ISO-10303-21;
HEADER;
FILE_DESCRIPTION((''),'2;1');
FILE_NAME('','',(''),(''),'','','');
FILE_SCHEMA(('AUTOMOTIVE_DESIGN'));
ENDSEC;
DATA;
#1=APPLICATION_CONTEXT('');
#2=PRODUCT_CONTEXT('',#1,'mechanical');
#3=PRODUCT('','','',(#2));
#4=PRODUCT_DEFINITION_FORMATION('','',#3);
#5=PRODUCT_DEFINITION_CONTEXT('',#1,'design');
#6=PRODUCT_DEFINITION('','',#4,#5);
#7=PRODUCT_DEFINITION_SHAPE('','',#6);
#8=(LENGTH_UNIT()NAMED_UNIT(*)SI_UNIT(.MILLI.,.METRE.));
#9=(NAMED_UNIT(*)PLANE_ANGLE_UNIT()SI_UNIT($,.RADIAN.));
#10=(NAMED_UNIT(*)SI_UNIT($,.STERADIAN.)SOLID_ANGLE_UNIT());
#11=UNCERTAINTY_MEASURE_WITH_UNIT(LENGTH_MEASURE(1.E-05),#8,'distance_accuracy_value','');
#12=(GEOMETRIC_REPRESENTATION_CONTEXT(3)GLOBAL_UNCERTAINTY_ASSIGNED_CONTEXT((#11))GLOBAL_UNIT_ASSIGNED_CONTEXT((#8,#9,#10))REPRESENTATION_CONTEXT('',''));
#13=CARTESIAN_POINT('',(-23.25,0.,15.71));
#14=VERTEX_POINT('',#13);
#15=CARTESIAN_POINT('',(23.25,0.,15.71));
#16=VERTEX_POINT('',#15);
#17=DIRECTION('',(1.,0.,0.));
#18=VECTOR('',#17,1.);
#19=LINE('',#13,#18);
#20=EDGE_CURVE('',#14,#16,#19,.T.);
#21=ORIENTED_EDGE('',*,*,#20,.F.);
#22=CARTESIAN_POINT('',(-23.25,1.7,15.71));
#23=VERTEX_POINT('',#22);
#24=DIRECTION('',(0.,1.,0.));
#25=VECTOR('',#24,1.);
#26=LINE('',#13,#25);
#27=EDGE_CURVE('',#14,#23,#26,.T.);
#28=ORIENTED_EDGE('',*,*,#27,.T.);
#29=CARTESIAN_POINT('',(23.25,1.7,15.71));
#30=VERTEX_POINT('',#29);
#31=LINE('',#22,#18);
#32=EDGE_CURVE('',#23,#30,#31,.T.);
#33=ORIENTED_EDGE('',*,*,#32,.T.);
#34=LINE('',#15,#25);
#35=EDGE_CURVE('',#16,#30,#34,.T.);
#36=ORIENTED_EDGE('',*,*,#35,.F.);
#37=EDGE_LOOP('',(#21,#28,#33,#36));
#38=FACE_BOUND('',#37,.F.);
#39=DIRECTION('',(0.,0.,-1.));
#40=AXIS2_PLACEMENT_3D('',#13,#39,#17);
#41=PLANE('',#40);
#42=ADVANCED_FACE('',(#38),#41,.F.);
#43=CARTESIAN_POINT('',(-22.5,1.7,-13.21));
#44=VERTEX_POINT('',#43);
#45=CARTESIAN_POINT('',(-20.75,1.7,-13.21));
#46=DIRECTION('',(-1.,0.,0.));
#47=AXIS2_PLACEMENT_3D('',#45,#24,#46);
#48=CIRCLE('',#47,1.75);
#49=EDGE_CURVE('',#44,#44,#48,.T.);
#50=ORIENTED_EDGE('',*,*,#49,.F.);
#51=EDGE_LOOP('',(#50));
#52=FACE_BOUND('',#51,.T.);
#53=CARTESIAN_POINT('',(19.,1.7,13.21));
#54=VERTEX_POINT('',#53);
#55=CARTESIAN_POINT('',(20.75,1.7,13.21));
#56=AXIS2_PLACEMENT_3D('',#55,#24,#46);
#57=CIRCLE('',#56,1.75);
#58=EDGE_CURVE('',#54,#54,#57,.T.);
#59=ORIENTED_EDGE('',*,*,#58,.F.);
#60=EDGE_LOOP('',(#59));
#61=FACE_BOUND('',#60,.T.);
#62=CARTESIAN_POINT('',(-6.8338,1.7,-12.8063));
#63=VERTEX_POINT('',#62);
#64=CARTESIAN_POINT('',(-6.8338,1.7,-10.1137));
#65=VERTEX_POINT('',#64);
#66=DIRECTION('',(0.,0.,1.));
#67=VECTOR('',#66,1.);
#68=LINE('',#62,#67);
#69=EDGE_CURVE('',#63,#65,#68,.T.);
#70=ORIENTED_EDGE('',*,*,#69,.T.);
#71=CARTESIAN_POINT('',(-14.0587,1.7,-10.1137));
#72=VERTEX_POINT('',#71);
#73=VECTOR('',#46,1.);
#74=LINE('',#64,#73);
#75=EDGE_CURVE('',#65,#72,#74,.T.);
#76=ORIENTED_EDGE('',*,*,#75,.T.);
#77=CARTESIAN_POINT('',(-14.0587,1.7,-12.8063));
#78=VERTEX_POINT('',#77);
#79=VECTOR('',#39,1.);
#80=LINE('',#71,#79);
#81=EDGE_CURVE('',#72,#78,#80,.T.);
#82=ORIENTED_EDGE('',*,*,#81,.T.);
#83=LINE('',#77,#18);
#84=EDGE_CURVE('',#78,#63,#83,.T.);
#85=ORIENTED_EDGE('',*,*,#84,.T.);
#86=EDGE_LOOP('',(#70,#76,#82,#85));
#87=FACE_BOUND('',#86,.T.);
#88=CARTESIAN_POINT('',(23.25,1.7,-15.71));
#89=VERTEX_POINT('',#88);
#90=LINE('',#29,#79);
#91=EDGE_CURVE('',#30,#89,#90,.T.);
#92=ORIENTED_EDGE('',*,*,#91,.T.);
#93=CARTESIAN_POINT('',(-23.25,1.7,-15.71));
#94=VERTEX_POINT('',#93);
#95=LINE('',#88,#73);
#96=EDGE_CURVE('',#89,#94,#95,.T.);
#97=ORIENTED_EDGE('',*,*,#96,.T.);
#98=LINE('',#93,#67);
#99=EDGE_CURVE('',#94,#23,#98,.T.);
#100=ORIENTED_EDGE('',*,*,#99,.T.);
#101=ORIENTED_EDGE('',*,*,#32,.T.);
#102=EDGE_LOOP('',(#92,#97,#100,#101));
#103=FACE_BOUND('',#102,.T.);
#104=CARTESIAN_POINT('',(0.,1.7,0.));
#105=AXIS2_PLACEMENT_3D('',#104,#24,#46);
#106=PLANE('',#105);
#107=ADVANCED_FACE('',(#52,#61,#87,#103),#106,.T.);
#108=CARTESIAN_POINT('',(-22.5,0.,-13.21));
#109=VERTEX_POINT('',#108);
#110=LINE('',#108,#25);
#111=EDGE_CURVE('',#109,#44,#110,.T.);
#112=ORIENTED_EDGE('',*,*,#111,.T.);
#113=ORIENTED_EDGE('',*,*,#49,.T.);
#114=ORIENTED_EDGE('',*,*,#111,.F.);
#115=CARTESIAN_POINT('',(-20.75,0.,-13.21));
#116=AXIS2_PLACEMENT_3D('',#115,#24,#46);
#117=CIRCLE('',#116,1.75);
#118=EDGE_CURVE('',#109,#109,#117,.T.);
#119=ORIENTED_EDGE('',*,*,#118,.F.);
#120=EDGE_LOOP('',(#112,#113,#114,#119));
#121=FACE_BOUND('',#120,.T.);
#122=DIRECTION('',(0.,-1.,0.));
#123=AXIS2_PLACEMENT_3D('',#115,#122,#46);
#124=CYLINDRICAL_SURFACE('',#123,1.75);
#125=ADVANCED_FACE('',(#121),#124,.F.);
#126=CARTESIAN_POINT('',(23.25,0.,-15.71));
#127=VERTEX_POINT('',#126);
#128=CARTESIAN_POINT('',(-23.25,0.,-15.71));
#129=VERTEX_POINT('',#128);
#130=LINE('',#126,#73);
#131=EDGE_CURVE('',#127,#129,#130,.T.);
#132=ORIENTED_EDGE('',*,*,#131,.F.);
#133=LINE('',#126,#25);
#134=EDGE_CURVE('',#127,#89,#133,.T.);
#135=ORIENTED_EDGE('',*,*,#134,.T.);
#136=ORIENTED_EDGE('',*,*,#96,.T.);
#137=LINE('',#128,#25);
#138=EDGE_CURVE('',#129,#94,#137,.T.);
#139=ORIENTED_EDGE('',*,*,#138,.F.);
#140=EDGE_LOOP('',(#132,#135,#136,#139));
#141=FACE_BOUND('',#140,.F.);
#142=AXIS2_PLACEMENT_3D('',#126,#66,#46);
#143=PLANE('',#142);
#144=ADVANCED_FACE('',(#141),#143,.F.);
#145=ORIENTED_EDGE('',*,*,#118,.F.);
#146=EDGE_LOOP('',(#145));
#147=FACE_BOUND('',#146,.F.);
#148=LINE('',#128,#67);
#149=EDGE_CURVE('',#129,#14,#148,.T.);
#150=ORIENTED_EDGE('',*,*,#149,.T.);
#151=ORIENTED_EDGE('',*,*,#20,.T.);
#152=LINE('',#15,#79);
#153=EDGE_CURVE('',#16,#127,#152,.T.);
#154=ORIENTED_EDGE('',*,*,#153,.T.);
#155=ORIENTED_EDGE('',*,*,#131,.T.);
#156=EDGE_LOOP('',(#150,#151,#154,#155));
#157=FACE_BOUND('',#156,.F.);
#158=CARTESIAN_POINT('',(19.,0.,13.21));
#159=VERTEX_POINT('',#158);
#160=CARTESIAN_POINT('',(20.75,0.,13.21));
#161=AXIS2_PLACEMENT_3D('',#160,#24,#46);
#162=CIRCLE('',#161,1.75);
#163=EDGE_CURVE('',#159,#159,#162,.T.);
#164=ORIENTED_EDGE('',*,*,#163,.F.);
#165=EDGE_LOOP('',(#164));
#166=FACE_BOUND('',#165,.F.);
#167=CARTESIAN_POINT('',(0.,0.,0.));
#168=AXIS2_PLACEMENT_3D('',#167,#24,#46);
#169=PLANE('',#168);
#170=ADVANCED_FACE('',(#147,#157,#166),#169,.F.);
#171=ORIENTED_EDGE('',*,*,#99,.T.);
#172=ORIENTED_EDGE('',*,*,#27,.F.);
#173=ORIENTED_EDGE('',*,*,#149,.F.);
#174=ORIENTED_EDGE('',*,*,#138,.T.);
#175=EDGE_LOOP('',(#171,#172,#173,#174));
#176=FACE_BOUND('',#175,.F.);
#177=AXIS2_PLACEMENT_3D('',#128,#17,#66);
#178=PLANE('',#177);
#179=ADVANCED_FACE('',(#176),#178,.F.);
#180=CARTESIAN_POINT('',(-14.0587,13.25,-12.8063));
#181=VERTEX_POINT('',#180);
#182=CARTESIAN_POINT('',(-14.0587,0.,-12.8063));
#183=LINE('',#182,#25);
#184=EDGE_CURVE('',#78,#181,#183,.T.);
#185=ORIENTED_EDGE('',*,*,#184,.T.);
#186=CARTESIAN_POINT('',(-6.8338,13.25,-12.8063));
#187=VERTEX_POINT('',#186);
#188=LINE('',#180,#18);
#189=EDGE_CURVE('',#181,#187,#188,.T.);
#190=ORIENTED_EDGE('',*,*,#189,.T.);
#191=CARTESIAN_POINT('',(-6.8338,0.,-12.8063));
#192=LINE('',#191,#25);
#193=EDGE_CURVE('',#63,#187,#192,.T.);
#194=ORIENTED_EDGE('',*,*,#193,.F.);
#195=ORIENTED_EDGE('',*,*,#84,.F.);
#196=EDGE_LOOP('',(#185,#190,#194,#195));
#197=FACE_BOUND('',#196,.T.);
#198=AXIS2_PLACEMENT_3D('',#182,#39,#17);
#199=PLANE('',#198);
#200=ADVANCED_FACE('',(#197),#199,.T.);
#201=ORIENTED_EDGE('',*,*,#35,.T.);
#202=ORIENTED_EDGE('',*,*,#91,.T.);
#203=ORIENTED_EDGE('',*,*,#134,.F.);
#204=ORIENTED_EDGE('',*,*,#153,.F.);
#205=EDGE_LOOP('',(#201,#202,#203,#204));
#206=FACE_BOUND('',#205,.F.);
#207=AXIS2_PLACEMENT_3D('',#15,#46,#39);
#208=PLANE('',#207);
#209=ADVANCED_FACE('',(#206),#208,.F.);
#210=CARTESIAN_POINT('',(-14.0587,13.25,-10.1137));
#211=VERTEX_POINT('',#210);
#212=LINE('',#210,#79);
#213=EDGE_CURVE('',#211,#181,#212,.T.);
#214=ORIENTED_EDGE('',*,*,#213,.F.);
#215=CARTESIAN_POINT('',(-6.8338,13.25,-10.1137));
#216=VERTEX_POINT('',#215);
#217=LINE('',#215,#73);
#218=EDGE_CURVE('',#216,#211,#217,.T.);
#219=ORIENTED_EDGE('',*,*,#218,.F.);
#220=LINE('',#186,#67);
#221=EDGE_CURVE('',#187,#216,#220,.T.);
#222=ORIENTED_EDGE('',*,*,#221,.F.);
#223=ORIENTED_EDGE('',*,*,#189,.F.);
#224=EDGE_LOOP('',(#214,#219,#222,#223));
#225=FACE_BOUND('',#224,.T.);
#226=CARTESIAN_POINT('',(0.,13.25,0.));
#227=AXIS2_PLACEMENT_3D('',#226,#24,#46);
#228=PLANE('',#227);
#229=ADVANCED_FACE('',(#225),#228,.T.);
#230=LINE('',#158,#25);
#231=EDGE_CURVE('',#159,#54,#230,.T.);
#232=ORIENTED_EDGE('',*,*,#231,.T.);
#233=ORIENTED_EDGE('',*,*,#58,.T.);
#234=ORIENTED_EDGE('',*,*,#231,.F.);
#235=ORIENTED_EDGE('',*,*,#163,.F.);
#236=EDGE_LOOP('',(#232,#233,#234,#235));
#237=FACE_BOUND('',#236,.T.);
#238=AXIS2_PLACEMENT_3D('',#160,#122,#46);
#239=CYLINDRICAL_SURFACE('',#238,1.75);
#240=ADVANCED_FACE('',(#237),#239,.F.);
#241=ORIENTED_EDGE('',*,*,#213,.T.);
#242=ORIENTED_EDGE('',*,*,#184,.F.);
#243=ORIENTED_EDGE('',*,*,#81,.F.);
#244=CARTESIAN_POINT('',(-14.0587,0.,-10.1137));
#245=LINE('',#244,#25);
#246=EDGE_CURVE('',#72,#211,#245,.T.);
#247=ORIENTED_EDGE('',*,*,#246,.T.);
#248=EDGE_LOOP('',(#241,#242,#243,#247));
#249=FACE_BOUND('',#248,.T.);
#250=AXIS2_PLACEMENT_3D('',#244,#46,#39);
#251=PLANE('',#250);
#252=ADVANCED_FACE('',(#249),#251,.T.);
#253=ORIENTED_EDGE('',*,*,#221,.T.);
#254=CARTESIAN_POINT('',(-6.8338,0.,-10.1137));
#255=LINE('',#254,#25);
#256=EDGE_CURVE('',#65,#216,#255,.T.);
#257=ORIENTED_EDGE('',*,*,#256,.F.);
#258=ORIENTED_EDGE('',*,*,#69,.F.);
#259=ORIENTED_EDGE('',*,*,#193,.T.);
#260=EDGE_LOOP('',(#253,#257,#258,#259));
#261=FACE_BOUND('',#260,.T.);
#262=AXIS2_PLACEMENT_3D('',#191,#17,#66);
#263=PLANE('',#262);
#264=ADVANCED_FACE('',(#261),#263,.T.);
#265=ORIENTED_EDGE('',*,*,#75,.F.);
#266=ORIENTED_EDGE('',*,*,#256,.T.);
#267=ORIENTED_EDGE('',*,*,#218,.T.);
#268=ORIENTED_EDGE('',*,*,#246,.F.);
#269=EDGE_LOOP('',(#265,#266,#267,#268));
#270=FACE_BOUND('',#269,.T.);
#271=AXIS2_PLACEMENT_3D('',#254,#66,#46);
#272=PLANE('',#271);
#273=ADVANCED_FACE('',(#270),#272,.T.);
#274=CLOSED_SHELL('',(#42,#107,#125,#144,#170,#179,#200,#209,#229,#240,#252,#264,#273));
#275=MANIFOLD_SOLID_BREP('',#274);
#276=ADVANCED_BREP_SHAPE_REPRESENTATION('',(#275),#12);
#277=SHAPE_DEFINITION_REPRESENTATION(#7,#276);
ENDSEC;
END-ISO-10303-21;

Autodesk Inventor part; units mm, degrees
ref_plane "YZ Plane" through (0, 0, 0) normal (1, 0, 0) x (0, 1, 0)
ref_plane "XZ Plane" through (0, 0, 0) normal (0, 1, 0) x (-1, 0, 0)
ref_plane "XY Plane" through (0, 0, 0) normal (0, 0, 1) x (1, 0, 0)
sketch "Sketch1" plane through (0, 0, 0) normal (0, 1, 0) x (-1, 0, 0)
  line L0 (23.25, 15.71) -> (-23.25, 15.71)
  line L1 (-23.25, 15.71) -> (-23.25, -15.71)
  line L2 (-23.25, -15.71) -> (23.25, -15.71)
  line L3 (23.25, -15.71) -> (23.25, 15.71)
  line L4 (23.25, 15.71) -> (-23.25, -15.71) construction
  line L5 (-23.25, 15.71) -> (23.25, -15.71) construction
  circle A0 centre (20.75, -13.21) radius 1.75
  circle A1 centre (-20.75, 13.21) radius 1.75
  line L6 (14.0587, -12.8063) -> (6.8338, -12.8063)
  line L7 (6.8338, -12.8063) -> (6.8338, -10.1137)
  line L8 (6.8338, -10.1137) -> (14.0587, -10.1137)
  line L9 (14.0587, -10.1137) -> (14.0587, -12.8063)
  line L10 (14.0587, -12.8063) -> (6.8338, -10.1137) construction
  line L11 (6.8338, -12.8063) -> (14.0587, -10.1137) construction
  point P0 (0, 0)
  point P1 (10.4463, -11.46)
  dimension "d0" = 46.5
  dimension "d1" = 31.42
  dimension "d2" = 3.5
  dimension "d3" = 3.5
  dimension "d4" = 2.5
  dimension "d5" = 2.5
  dimension "d6" = 2.5
  dimension "d7" = 2.5
extrude "Extrusion1" add sketch "Sketch1" along normal blind 1.7
extrude "Extrusion2" add sketch "Sketch1" along normal blind 13.25 contours L6 L7 L8 L9
sketch "Sketch2" plane through (0, 1.7, 0) normal (0, 1, 0) x (1, 0, 0)
  line L0 (-8.2019, 1.2171) -> (20.3938, 1.2171) construction
  line L1 (20.3938, 1.2171) -> (20.3938, -2.5127) construction
  line L2 (20.3938, -2.5127) -> (-8.2019, -2.5127) construction
  line L3 (-8.2019, -2.5127) -> (-8.2019, 1.2171) construction
  point P0 (0, 0)
sketch "Sketch3" plane through (23.25, 0, -15.71) normal (0, 0, -1) x (-1, 0, 0)
  point P0 (23.25, 0)
properties part number "Sound Detect"
